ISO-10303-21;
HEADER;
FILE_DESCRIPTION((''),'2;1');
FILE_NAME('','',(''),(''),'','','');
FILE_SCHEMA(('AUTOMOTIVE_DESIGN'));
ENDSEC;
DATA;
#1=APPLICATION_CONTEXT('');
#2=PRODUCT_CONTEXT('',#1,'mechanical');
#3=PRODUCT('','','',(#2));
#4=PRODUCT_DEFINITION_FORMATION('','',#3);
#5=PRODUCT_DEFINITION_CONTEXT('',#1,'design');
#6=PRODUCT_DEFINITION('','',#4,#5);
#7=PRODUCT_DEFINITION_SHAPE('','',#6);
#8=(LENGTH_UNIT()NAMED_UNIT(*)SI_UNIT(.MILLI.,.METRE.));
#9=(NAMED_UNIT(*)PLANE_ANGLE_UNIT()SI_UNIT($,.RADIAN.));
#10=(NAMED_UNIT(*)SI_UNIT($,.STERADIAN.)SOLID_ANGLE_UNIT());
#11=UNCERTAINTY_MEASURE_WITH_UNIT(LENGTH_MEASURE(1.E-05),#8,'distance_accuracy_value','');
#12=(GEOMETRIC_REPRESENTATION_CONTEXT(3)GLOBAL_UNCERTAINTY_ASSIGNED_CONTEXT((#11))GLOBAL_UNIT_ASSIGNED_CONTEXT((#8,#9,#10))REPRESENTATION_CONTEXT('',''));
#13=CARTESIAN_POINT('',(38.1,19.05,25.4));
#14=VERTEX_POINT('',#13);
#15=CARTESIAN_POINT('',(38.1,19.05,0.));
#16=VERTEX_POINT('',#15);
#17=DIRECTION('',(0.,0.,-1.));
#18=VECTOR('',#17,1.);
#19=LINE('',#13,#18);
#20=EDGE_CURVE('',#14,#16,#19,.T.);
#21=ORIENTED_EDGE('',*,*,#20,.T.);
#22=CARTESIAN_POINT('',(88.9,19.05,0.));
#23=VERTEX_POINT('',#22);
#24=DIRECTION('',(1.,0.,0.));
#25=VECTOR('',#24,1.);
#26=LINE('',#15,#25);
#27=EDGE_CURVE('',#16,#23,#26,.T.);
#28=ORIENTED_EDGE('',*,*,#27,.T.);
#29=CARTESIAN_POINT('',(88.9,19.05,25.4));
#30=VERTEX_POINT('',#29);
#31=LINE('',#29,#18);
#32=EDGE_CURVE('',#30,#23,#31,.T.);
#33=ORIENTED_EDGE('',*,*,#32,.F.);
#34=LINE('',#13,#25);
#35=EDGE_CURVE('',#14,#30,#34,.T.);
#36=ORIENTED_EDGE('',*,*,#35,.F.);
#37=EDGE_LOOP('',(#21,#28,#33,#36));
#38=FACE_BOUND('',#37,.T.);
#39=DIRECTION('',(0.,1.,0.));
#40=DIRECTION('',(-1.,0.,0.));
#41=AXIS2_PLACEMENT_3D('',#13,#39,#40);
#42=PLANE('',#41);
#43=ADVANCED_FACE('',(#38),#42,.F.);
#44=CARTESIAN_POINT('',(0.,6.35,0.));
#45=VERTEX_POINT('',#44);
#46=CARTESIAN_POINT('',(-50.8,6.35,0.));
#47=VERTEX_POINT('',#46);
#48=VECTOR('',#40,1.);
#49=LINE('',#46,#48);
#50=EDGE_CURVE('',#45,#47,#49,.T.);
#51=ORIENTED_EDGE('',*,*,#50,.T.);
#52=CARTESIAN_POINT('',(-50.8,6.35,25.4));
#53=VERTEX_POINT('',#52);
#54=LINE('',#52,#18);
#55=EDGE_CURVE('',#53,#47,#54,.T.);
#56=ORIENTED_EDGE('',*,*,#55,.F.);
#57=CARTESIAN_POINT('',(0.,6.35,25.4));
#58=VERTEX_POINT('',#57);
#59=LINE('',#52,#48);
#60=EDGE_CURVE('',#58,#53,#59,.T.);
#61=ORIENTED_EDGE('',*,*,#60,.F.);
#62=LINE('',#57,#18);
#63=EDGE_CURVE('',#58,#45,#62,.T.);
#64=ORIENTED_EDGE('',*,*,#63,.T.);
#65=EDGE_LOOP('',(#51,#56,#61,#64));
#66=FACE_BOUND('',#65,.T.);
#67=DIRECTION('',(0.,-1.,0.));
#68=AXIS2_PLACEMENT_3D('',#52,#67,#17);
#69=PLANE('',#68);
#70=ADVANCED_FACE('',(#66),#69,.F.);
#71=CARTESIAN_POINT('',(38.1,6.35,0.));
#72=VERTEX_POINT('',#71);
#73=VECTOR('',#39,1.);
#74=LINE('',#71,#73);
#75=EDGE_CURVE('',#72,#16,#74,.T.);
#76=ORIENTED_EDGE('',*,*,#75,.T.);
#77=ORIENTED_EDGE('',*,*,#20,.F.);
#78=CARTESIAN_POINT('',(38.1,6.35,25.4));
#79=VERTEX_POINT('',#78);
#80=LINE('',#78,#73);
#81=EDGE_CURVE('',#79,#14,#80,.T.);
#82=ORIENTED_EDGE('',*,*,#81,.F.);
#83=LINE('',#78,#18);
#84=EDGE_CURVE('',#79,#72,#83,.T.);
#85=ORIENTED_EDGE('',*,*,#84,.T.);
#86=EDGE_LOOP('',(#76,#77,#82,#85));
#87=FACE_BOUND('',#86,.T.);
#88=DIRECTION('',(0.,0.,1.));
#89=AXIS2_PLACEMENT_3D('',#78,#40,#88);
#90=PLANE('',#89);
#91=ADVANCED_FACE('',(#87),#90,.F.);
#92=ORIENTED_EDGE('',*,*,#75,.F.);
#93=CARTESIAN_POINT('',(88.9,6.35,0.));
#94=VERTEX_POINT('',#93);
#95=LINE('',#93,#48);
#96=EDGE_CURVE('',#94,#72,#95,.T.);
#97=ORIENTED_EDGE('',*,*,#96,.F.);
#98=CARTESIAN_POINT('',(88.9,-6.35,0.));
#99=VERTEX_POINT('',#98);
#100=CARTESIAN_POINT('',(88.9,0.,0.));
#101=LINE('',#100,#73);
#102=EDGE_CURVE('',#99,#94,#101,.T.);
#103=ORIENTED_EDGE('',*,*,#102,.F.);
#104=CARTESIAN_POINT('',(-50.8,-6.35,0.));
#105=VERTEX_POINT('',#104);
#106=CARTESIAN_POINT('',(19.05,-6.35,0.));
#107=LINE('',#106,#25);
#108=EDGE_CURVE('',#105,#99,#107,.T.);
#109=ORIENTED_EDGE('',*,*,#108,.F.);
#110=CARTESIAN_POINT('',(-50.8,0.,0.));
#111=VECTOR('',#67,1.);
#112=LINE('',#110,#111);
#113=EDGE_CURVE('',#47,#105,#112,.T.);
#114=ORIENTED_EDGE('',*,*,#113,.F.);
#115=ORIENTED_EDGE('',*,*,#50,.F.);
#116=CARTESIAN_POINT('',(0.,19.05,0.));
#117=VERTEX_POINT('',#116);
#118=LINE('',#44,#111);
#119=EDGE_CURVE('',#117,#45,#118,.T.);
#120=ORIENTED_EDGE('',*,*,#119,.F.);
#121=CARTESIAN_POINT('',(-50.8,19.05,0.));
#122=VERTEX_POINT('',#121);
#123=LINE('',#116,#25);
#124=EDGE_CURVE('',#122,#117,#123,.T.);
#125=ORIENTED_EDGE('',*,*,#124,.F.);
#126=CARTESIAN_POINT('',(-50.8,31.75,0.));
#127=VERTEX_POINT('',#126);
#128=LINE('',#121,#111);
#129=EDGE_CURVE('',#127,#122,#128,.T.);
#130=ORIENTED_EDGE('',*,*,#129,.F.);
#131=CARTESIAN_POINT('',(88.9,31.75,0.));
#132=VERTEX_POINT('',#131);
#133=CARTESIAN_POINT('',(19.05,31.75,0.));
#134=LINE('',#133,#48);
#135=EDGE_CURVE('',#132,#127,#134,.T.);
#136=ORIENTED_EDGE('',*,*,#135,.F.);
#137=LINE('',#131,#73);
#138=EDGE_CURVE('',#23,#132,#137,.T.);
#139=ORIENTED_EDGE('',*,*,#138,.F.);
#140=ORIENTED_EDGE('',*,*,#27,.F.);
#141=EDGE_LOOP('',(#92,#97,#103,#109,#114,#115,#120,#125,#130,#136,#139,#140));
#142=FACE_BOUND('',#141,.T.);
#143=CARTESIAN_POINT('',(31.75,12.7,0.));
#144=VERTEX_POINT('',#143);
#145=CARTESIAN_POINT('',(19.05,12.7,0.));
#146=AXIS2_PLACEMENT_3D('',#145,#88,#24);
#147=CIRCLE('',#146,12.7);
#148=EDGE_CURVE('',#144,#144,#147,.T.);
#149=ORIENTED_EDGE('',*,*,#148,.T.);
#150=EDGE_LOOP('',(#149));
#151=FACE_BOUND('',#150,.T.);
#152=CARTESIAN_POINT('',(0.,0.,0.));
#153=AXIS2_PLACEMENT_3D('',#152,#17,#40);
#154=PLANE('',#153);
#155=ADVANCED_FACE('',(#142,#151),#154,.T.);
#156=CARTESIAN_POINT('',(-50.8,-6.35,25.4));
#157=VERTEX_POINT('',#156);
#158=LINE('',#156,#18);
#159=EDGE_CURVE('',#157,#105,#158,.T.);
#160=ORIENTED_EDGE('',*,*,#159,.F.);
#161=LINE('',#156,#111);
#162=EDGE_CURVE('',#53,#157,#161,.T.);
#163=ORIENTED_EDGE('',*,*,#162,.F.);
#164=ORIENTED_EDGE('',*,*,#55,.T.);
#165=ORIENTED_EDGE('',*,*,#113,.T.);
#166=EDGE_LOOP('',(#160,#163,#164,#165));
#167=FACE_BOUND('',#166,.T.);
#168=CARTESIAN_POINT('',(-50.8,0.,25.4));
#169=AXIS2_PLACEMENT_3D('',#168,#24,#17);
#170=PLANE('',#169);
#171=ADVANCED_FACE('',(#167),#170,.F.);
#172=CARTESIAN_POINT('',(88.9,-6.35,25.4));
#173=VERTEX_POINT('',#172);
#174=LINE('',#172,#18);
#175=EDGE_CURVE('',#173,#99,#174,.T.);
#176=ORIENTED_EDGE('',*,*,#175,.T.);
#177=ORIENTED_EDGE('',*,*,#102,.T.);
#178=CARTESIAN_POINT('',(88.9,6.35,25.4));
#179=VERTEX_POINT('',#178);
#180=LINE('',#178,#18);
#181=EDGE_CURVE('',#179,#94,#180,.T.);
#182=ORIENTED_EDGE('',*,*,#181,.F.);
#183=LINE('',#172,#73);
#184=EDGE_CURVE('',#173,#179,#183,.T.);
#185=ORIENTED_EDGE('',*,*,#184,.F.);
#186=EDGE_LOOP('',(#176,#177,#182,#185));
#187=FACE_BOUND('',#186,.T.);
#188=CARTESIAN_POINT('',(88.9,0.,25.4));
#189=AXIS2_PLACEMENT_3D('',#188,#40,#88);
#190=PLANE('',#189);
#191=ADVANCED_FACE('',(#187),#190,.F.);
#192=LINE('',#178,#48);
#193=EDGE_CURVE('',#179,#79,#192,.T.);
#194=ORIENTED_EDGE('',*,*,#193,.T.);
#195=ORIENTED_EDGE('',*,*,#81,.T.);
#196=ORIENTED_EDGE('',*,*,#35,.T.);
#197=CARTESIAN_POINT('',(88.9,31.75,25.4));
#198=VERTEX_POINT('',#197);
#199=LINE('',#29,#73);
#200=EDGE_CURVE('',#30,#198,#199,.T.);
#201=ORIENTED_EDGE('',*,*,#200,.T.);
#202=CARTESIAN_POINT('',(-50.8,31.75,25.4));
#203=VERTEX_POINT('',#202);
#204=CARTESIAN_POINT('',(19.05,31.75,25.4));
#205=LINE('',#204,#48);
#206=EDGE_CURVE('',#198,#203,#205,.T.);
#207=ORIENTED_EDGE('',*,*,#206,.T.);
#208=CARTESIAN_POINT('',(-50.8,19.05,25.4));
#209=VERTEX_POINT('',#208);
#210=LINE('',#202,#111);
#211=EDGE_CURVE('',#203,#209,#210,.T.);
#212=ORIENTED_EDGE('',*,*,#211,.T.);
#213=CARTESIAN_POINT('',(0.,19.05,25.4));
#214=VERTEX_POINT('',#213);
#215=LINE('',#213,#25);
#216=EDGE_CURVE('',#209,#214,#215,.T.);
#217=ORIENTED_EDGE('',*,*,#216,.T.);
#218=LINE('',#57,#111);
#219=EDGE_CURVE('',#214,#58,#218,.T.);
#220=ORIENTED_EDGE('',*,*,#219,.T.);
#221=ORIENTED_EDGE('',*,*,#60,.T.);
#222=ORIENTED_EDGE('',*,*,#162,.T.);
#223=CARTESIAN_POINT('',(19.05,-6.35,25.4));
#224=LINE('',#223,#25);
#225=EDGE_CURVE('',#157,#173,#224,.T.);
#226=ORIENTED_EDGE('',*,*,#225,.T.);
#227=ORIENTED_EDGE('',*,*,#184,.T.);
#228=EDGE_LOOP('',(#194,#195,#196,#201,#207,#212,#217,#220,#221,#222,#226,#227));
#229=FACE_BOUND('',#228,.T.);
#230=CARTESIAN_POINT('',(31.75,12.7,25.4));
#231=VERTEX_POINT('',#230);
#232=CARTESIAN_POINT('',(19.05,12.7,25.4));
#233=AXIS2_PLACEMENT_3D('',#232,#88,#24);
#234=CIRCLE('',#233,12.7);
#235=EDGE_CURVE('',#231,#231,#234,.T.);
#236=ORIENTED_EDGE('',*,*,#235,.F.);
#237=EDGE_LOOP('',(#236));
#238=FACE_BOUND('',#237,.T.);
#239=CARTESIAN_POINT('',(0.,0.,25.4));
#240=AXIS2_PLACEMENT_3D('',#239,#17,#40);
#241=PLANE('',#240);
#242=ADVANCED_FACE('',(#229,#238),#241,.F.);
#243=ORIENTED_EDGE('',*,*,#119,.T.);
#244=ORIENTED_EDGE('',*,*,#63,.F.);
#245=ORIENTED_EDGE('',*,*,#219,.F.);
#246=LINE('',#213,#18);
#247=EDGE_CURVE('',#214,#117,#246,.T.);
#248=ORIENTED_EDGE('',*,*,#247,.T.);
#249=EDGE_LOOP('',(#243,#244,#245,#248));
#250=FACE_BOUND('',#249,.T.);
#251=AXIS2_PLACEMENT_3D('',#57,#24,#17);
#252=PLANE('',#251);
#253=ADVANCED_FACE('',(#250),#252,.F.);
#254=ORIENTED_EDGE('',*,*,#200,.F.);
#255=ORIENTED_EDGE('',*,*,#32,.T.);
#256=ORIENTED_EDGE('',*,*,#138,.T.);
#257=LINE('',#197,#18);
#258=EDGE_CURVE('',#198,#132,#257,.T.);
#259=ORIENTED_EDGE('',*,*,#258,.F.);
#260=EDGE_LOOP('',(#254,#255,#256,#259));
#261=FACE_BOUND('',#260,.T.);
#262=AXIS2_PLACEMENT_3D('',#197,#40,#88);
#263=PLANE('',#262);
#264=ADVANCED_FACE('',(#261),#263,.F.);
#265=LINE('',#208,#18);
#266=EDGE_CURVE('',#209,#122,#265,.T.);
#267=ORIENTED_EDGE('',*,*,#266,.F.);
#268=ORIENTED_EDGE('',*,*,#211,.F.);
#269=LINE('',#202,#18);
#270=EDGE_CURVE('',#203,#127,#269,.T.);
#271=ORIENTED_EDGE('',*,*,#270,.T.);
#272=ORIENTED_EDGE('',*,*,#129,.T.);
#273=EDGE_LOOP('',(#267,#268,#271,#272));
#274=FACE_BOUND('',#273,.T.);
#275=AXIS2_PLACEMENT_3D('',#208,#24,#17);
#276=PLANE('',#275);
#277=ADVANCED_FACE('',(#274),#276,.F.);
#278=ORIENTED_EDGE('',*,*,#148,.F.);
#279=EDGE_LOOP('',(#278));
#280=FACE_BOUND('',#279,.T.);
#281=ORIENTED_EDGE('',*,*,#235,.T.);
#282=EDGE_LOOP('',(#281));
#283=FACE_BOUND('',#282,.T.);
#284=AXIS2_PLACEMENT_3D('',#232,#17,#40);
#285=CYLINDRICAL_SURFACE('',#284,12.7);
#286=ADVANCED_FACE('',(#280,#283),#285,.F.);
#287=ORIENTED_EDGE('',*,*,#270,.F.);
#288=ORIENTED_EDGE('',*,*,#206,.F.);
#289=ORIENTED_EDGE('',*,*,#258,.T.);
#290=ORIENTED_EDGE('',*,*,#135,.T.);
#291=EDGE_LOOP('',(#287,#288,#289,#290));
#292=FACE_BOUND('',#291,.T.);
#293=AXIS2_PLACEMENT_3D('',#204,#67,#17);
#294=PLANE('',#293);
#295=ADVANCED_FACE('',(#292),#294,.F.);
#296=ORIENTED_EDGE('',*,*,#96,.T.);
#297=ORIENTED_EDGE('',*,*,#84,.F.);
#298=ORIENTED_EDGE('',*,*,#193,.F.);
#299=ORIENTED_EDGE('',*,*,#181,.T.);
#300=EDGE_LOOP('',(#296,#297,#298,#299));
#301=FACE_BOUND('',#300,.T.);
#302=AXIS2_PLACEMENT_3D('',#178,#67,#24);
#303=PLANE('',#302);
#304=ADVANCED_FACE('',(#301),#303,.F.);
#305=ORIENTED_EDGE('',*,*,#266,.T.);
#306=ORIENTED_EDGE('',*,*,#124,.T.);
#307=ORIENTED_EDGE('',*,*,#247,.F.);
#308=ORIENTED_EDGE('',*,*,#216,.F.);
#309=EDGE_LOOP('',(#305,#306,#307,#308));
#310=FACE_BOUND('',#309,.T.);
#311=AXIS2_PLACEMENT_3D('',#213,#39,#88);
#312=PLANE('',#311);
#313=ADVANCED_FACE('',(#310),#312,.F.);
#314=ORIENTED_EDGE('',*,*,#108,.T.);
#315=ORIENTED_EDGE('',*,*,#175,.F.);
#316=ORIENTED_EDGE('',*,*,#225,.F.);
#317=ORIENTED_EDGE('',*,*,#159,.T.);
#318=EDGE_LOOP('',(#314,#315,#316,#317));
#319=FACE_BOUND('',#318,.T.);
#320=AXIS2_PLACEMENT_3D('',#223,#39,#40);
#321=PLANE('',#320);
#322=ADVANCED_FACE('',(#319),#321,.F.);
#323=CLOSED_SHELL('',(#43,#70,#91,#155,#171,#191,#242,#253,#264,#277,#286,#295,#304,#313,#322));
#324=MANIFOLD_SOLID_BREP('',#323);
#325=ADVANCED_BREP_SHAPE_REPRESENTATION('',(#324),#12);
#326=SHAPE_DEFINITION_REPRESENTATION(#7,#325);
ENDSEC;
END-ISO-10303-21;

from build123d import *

# Parameters (mm, degrees)
SKETCH1_R           = 12.7
BOSS_EXTRUDE1_DEPTH = 25.4


with BuildPart() as part:
    # Sketch1 → Boss-Extrude1 (new body)
    with BuildSketch(Plane.XY):
        Polygon((-50.8, 0), (-50.8, 6.35), (0, 6.35), (0, 19.05), (-50.8, 19.05), (-50.8, 25.4), (-50.8, 31.75), (19.05, 31.75), (88.9, 31.75), (88.9, 25.4), (88.9, 19.05), (38.1, 19.05), (38.1, 6.35), (88.9, 6.35), (88.9, 0), (88.9, -6.35), (19.05, -6.35), (-50.8, -6.35), align=None)
        with Locations((19.05, 12.7)):
            Circle(SKETCH1_R, mode=Mode.SUBTRACT)
    extrude(amount=BOSS_EXTRUDE1_DEPTH)


solid = part.part
